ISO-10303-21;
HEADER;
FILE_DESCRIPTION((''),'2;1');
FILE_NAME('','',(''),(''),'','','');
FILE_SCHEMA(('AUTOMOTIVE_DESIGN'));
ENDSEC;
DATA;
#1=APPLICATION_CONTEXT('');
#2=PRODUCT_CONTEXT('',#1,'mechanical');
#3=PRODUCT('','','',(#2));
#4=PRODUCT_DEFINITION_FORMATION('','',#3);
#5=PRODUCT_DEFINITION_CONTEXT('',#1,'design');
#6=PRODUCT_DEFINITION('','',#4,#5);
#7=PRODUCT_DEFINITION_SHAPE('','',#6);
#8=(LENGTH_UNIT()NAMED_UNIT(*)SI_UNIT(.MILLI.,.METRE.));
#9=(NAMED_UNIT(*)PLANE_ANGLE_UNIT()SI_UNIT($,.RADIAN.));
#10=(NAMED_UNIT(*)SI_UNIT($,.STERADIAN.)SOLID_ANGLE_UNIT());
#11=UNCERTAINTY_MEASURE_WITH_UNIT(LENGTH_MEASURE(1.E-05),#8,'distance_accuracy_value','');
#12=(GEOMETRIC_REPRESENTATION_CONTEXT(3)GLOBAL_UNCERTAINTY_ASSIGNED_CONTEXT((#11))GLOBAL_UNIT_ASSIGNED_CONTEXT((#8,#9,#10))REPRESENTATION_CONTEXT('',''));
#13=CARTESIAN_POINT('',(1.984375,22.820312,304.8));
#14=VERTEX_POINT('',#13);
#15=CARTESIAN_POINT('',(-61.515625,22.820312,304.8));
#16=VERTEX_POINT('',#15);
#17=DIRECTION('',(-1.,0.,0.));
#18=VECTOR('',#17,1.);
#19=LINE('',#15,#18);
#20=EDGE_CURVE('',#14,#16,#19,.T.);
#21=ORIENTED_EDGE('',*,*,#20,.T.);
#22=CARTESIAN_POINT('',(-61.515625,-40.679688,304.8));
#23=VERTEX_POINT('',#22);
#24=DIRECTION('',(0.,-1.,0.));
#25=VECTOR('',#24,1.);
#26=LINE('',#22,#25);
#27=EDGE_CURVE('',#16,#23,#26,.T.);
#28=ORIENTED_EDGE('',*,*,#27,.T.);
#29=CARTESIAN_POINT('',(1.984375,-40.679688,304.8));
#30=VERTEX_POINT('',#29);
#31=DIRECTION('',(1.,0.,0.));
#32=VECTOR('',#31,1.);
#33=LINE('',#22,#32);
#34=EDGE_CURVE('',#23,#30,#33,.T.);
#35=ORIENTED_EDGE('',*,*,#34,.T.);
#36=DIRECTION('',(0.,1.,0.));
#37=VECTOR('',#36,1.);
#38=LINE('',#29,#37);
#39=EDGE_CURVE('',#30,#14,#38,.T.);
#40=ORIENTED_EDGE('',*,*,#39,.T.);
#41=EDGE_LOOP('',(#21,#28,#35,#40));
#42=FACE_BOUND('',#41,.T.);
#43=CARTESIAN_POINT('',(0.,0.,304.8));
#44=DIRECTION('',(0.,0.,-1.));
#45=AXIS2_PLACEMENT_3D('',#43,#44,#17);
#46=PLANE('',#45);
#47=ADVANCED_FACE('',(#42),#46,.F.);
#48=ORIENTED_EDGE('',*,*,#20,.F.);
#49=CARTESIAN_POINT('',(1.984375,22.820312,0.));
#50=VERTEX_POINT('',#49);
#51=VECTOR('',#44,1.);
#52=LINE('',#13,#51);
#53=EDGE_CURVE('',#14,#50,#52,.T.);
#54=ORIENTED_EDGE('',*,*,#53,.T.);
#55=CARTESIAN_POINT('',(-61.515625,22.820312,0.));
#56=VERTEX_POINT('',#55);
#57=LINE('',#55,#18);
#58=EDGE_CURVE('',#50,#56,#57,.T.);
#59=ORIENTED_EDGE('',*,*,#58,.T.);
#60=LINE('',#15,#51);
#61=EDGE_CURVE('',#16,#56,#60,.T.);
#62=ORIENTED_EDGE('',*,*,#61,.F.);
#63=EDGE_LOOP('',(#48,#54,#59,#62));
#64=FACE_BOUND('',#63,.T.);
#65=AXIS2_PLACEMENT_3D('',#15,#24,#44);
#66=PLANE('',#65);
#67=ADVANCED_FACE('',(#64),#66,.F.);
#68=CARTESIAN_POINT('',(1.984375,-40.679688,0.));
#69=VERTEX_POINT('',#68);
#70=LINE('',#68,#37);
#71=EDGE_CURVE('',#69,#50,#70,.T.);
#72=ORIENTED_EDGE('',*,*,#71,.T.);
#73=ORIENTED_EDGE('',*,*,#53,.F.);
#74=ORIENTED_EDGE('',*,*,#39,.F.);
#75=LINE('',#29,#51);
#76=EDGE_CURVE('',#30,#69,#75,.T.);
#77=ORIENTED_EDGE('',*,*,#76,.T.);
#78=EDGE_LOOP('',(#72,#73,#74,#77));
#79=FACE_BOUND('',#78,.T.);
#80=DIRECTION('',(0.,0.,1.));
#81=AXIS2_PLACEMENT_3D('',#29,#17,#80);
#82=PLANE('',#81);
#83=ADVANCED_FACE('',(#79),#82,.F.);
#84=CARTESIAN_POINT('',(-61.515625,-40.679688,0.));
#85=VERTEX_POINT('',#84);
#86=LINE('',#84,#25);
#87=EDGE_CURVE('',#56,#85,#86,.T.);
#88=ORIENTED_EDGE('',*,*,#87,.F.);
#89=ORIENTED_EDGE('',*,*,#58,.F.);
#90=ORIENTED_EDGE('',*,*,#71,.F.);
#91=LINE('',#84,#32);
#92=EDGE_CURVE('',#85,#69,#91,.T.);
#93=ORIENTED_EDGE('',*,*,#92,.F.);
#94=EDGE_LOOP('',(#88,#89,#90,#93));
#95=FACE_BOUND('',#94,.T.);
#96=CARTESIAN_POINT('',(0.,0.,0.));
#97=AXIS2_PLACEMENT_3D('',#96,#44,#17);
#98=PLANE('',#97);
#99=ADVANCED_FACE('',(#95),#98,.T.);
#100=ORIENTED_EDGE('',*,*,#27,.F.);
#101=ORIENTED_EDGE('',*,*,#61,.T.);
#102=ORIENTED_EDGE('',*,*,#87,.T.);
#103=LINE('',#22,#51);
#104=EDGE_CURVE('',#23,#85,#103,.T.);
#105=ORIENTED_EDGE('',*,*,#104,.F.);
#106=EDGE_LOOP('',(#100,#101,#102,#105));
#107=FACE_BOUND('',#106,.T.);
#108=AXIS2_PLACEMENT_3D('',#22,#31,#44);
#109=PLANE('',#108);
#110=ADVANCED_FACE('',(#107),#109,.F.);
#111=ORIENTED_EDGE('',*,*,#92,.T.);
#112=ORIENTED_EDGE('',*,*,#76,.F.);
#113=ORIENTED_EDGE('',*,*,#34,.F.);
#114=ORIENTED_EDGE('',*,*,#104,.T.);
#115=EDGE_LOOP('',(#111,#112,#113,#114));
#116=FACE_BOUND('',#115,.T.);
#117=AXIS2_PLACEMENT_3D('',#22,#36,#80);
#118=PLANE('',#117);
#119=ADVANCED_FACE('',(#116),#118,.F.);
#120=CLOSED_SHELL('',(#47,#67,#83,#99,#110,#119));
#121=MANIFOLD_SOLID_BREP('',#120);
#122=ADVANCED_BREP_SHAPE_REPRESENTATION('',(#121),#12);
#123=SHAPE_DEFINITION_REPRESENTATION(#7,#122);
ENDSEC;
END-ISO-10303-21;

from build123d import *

# Parameters (mm, degrees)
SKETCH2_W           = 63.5
SKETCH2_H           = 63.5
BOSS_EXTRUDE1_DEPTH = 304.8


with BuildPart() as part:
    # Sketch2 → Boss-Extrude1 (new body)
    with BuildSketch(Plane.XY):
        with Locations((-29.765625, -8.9296875)):
            Rectangle(SKETCH2_W, SKETCH2_H)
    extrude(amount=BOSS_EXTRUDE1_DEPTH)


solid = part.part
